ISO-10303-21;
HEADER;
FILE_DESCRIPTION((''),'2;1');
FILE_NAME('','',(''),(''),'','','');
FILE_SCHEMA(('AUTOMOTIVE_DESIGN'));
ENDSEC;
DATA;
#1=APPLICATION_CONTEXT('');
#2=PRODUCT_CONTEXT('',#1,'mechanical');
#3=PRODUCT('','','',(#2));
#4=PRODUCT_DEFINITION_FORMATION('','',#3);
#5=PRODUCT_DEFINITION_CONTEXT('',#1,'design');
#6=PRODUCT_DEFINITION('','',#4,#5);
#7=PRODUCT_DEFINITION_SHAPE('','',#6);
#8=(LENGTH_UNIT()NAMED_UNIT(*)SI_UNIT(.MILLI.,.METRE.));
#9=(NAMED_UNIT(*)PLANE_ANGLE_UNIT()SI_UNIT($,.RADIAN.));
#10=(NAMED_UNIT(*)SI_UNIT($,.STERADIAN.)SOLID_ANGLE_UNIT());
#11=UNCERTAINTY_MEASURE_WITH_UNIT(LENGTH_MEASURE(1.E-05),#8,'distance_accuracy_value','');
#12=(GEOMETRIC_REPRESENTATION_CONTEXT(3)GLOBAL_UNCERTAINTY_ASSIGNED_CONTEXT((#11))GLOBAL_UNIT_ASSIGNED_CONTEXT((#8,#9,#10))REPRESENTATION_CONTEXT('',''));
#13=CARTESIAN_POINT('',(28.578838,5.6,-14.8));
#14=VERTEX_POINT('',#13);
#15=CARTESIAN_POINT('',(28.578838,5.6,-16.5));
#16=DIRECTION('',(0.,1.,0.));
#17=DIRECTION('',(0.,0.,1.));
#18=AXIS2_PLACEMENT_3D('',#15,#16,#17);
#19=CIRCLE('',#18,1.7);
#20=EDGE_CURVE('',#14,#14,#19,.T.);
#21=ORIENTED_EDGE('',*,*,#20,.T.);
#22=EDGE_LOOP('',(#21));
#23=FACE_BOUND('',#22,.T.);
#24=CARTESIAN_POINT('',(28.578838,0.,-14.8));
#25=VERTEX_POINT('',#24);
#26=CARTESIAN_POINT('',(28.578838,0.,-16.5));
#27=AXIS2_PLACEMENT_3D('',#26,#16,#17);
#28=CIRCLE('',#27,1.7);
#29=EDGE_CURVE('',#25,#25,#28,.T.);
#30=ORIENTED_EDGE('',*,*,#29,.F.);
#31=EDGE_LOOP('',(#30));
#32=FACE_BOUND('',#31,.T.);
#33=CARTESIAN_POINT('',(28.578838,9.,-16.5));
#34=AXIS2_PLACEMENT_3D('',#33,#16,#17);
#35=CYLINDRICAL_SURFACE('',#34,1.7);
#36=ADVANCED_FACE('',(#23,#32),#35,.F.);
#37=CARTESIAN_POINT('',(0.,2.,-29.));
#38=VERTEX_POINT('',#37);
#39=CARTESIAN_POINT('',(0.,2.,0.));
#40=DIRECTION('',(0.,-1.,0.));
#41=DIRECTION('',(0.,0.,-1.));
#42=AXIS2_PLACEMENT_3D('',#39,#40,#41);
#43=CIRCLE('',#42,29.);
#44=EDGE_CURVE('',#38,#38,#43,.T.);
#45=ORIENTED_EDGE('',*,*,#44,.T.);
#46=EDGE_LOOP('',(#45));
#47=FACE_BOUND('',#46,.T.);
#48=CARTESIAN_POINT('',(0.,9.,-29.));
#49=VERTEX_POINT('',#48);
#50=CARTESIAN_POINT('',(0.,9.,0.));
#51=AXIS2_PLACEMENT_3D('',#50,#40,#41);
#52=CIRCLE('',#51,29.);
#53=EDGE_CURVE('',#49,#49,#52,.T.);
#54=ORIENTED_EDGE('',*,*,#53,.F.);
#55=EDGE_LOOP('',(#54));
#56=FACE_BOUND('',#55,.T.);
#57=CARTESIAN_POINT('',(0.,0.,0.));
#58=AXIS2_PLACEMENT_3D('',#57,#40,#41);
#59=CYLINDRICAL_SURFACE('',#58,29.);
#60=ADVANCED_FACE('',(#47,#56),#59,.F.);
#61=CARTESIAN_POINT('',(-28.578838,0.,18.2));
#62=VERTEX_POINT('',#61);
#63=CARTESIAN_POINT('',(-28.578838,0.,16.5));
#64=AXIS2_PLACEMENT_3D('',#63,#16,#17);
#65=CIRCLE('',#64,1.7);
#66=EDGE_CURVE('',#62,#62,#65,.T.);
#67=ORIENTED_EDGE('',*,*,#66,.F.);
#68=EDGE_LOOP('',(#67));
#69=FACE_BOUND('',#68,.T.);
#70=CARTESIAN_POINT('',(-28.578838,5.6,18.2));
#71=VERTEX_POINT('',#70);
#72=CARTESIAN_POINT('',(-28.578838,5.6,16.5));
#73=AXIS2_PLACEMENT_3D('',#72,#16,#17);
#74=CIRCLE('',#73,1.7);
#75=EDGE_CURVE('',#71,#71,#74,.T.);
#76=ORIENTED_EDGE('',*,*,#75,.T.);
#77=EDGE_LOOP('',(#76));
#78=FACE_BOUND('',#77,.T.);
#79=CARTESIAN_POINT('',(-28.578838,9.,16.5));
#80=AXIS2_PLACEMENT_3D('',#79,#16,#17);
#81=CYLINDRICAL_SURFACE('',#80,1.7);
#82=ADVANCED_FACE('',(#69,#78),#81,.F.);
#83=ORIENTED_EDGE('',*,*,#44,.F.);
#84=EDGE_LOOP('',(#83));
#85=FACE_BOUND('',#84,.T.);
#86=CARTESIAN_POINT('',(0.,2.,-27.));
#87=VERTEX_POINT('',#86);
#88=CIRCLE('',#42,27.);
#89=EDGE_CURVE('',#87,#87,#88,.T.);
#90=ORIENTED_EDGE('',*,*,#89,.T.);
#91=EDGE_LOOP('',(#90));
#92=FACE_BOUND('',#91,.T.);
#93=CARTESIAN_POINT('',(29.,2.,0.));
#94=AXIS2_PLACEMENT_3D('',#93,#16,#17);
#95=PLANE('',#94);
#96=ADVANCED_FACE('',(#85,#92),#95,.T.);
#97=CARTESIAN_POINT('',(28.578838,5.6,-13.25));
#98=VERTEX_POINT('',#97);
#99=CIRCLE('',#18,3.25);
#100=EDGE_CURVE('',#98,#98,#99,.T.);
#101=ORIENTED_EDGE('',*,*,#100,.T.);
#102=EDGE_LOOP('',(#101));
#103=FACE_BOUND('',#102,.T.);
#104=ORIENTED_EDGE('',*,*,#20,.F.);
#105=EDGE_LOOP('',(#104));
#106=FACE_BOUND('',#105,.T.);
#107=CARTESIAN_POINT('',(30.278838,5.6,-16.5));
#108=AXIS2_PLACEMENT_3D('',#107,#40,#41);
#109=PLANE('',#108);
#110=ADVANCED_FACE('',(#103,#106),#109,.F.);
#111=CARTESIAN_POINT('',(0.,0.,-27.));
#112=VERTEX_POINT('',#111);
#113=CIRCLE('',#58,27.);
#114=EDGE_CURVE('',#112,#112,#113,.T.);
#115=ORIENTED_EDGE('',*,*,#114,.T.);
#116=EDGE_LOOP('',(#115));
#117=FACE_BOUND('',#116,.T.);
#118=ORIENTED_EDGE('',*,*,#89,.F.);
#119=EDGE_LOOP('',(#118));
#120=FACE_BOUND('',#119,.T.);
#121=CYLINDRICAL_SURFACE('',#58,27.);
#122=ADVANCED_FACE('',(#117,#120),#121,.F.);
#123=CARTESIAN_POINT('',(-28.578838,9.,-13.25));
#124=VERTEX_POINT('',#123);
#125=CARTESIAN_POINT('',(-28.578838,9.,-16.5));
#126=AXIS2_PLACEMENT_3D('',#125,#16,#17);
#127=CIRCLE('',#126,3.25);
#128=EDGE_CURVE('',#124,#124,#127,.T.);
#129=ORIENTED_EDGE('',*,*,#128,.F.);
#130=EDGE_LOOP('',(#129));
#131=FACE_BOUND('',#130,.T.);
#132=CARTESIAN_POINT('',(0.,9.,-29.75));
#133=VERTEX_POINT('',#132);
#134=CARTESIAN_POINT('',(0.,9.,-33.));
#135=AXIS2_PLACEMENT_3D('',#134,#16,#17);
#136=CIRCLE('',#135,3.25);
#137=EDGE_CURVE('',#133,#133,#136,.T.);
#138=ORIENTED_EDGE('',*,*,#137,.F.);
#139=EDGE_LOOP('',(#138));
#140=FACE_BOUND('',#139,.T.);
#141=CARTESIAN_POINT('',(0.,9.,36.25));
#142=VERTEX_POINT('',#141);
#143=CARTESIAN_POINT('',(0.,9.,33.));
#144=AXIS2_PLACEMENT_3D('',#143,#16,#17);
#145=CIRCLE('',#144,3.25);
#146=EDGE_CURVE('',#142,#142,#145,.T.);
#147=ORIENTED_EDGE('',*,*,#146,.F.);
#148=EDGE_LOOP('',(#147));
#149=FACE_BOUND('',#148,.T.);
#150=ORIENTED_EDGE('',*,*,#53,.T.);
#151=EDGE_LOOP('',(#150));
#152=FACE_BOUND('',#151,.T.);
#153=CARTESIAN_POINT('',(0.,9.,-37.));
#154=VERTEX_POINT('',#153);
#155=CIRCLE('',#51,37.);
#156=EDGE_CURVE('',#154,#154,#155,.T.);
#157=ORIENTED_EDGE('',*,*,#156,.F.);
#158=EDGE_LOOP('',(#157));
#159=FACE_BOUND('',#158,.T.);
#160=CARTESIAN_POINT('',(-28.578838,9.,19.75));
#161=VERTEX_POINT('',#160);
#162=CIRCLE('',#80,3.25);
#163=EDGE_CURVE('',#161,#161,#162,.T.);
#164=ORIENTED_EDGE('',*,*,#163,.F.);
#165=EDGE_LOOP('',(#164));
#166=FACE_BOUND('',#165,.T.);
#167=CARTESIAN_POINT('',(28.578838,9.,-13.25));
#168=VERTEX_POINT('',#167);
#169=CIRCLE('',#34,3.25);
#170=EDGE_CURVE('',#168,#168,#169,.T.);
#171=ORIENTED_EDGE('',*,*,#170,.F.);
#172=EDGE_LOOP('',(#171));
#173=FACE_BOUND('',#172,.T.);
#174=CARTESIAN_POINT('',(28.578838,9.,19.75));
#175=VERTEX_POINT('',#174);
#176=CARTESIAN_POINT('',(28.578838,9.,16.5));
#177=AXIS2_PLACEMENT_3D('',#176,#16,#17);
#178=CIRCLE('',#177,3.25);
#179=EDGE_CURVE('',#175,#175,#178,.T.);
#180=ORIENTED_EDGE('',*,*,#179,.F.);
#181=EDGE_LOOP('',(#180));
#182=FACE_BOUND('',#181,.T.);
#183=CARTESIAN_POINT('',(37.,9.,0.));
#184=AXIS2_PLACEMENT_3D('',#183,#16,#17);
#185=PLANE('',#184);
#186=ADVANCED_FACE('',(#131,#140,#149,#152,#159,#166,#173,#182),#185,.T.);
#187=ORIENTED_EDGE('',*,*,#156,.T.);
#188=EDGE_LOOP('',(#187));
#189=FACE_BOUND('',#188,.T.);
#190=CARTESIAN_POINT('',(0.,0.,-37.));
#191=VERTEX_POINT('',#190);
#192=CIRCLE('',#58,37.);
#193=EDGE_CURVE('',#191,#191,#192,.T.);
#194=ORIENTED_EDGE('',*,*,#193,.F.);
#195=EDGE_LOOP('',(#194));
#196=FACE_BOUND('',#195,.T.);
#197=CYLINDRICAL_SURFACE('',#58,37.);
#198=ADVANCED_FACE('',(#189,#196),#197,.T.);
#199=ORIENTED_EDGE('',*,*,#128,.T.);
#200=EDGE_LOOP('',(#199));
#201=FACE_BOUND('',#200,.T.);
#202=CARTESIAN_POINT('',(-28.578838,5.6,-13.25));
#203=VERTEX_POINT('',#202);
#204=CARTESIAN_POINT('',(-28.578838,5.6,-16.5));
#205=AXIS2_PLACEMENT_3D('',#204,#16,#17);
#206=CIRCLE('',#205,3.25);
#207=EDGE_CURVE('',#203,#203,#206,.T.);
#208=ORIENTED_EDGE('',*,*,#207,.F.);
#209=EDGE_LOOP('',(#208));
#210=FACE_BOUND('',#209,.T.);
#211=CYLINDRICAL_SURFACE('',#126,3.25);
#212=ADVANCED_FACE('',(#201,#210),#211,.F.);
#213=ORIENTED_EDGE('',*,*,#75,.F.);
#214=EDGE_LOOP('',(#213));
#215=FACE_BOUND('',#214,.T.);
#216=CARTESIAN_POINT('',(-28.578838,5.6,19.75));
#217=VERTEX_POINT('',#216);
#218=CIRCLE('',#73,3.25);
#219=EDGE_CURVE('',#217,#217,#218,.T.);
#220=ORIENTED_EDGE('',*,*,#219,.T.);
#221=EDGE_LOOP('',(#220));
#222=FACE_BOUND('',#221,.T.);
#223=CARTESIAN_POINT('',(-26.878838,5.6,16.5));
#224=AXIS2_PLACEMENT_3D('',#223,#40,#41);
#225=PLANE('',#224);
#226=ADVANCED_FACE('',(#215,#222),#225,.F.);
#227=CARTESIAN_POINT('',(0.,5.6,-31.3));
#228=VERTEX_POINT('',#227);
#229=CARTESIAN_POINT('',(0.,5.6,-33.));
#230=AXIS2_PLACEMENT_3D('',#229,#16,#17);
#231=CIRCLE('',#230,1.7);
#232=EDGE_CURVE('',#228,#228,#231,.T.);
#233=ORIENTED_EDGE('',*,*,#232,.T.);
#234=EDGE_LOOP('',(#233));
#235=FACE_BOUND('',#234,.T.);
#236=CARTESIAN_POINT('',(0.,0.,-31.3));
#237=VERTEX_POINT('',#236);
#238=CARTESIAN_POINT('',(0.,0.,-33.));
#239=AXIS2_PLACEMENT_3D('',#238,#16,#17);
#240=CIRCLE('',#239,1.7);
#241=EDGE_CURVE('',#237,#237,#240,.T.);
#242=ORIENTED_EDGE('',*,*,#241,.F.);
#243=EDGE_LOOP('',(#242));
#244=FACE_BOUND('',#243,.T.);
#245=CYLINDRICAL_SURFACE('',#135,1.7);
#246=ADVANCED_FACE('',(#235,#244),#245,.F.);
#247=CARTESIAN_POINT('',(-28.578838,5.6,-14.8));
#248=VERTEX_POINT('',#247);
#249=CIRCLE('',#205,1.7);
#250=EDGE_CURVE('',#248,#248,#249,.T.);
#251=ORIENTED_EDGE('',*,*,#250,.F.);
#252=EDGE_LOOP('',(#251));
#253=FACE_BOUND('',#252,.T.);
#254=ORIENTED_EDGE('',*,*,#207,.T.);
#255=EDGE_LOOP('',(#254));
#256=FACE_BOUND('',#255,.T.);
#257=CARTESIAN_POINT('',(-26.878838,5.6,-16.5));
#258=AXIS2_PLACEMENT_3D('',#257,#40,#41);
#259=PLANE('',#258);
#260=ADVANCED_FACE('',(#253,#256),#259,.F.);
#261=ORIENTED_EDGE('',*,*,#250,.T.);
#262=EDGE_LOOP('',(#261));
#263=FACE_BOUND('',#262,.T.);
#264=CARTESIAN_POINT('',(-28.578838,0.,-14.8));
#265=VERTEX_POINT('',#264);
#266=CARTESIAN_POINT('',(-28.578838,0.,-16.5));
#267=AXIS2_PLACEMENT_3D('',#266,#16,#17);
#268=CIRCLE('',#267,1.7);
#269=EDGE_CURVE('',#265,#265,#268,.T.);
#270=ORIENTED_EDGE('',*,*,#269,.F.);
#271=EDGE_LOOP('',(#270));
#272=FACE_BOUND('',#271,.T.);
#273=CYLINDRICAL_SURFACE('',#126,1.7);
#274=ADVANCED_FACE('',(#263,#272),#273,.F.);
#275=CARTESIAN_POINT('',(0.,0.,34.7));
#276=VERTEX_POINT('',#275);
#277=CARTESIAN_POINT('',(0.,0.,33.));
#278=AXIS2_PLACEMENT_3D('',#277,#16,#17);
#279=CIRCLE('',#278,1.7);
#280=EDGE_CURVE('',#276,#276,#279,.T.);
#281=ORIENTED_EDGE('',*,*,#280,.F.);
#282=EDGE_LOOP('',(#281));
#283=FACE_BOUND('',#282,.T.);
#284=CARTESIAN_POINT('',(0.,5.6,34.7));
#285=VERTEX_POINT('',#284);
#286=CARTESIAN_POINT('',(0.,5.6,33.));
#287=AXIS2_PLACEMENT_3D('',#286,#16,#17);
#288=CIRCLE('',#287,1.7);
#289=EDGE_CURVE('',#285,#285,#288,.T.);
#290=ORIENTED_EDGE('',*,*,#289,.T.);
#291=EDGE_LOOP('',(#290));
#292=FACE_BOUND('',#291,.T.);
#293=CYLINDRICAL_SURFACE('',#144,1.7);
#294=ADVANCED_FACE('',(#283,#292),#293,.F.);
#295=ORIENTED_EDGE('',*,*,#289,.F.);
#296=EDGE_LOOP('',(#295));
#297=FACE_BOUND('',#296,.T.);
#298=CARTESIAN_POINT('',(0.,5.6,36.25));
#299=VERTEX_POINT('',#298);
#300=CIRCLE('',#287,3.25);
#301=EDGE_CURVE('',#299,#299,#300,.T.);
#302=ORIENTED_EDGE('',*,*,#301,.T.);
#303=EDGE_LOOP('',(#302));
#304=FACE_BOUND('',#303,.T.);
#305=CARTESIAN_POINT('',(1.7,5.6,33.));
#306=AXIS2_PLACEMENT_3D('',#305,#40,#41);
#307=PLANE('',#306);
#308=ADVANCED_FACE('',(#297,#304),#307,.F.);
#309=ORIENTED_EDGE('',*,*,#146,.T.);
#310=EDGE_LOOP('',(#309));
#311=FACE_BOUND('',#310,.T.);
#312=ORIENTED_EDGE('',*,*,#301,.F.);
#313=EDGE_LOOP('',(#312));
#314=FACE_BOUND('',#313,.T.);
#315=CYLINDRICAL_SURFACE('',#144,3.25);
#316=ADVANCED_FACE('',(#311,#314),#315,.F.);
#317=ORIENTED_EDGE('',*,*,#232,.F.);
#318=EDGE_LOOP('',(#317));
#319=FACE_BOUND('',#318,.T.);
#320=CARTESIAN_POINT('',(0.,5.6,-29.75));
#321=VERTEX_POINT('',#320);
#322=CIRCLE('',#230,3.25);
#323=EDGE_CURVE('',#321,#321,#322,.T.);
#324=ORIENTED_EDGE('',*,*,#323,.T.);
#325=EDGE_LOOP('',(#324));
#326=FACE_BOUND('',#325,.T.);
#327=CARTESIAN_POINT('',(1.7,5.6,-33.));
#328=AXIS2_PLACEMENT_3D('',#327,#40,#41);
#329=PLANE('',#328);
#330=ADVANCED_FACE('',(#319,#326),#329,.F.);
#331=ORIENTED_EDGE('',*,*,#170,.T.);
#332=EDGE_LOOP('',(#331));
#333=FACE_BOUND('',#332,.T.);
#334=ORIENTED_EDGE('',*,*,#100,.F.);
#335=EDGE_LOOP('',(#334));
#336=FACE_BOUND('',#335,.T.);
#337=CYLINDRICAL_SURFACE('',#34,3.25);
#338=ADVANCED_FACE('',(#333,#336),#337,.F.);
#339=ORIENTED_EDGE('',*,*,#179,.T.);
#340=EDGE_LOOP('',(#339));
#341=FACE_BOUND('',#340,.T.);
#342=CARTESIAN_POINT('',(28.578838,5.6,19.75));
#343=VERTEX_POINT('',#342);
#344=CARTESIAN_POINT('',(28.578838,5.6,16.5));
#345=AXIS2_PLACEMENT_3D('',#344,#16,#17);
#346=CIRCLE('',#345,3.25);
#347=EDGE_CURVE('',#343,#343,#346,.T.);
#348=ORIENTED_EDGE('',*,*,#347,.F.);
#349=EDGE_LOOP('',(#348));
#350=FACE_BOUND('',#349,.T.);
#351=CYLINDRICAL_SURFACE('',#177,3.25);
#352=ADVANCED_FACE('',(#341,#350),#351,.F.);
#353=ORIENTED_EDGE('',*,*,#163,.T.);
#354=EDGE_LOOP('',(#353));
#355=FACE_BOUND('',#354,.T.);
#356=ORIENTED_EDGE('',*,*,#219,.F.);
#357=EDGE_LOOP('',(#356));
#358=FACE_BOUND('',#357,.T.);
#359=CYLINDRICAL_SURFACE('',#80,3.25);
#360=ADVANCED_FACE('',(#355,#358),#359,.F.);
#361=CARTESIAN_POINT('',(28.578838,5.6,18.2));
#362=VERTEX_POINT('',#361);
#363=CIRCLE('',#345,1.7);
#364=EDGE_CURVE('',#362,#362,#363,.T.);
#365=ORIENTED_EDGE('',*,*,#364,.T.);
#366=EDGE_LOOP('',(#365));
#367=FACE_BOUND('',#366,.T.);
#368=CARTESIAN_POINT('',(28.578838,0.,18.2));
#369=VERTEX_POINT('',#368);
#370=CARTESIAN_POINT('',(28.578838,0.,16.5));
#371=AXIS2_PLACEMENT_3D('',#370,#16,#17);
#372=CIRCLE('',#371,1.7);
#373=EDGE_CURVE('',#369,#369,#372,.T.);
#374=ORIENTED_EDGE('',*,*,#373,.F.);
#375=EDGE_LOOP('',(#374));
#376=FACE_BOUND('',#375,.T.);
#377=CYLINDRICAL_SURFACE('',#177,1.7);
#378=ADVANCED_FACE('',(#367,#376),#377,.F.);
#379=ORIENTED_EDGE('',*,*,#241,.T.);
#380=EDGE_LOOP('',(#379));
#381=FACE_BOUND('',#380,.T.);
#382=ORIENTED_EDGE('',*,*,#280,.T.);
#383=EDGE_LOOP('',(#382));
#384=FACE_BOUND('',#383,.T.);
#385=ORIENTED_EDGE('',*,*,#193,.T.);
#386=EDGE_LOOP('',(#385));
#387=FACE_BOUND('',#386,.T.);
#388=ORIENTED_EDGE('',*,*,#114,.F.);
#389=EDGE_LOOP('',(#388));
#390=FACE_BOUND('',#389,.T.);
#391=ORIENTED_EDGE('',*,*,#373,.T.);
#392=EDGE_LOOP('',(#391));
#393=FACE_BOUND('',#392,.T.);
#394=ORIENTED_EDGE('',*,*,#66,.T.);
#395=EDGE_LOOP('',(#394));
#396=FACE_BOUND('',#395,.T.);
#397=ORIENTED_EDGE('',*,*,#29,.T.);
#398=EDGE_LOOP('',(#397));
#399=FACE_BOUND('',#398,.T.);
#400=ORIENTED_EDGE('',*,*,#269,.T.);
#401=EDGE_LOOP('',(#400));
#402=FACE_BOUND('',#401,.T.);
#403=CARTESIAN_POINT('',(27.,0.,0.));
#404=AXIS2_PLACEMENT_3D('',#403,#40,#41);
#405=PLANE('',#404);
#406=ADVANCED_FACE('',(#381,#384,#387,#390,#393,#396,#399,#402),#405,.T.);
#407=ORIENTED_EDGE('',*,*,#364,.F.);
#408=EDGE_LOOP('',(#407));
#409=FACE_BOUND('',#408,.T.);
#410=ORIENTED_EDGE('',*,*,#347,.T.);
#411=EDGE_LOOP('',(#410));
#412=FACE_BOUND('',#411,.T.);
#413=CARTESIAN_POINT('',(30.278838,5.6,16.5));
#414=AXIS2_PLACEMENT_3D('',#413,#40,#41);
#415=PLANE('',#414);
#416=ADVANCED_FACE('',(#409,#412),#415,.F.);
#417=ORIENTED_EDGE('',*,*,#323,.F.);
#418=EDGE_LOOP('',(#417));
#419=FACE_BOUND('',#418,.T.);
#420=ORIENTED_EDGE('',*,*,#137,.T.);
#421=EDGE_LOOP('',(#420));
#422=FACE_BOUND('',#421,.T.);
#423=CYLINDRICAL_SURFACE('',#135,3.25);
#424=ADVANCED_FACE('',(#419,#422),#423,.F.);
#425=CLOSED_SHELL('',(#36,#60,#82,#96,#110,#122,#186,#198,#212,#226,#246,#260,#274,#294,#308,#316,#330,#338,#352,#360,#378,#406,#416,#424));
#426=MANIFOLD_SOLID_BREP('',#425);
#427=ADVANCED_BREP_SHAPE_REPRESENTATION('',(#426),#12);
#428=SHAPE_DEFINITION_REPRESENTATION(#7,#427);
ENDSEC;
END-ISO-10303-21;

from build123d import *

# Parameters (mm, degrees)
CBORE_FOR_M3_HEX_SOCKET_HEAD_CAP_SCREW1_D           = 3.4
CBORE_FOR_M3_HEX_SOCKET_HEAD_CAP_SCREW1_CBORE_D     = 6.5
CBORE_FOR_M3_HEX_SOCKET_HEAD_CAP_SCREW1_CBORE_DEPTH = 3.4


with BuildPart() as part:
    # Sketch1 → Revolve1 (revolve)
    with BuildSketch(Plane.XY, mode=Mode.PRIVATE) as revolve1_sk:
        Polygon((27, 0), (37, 0), (37, 9), (29, 9), (29, 2), (27, 2), align=None)
    revolve(revolve1_sk.sketch.rotate(Axis((0, 0, 0), (0, 1, 0)), 90), axis=Axis((0, 0, 0), (0, 1, 0)))

    # CBORE for M3 Hex Socket Head Cap Screw1 (through all)
    with Locations(Plane(origin=(0, 9, 0), x_dir=(1, 0, 0), z_dir=(0, 1, 0))):
        with Locations((28.578838325, -16.5), (0, -33), (-28.578838325, -16.5), (-28.578838325, 16.5), (0, 33), (28.578838325, 16.5)):
            CounterBoreHole(CBORE_FOR_M3_HEX_SOCKET_HEAD_CAP_SCREW1_D / 2, CBORE_FOR_M3_HEX_SOCKET_HEAD_CAP_SCREW1_CBORE_D / 2, CBORE_FOR_M3_HEX_SOCKET_HEAD_CAP_SCREW1_CBORE_DEPTH)


solid = part.part
